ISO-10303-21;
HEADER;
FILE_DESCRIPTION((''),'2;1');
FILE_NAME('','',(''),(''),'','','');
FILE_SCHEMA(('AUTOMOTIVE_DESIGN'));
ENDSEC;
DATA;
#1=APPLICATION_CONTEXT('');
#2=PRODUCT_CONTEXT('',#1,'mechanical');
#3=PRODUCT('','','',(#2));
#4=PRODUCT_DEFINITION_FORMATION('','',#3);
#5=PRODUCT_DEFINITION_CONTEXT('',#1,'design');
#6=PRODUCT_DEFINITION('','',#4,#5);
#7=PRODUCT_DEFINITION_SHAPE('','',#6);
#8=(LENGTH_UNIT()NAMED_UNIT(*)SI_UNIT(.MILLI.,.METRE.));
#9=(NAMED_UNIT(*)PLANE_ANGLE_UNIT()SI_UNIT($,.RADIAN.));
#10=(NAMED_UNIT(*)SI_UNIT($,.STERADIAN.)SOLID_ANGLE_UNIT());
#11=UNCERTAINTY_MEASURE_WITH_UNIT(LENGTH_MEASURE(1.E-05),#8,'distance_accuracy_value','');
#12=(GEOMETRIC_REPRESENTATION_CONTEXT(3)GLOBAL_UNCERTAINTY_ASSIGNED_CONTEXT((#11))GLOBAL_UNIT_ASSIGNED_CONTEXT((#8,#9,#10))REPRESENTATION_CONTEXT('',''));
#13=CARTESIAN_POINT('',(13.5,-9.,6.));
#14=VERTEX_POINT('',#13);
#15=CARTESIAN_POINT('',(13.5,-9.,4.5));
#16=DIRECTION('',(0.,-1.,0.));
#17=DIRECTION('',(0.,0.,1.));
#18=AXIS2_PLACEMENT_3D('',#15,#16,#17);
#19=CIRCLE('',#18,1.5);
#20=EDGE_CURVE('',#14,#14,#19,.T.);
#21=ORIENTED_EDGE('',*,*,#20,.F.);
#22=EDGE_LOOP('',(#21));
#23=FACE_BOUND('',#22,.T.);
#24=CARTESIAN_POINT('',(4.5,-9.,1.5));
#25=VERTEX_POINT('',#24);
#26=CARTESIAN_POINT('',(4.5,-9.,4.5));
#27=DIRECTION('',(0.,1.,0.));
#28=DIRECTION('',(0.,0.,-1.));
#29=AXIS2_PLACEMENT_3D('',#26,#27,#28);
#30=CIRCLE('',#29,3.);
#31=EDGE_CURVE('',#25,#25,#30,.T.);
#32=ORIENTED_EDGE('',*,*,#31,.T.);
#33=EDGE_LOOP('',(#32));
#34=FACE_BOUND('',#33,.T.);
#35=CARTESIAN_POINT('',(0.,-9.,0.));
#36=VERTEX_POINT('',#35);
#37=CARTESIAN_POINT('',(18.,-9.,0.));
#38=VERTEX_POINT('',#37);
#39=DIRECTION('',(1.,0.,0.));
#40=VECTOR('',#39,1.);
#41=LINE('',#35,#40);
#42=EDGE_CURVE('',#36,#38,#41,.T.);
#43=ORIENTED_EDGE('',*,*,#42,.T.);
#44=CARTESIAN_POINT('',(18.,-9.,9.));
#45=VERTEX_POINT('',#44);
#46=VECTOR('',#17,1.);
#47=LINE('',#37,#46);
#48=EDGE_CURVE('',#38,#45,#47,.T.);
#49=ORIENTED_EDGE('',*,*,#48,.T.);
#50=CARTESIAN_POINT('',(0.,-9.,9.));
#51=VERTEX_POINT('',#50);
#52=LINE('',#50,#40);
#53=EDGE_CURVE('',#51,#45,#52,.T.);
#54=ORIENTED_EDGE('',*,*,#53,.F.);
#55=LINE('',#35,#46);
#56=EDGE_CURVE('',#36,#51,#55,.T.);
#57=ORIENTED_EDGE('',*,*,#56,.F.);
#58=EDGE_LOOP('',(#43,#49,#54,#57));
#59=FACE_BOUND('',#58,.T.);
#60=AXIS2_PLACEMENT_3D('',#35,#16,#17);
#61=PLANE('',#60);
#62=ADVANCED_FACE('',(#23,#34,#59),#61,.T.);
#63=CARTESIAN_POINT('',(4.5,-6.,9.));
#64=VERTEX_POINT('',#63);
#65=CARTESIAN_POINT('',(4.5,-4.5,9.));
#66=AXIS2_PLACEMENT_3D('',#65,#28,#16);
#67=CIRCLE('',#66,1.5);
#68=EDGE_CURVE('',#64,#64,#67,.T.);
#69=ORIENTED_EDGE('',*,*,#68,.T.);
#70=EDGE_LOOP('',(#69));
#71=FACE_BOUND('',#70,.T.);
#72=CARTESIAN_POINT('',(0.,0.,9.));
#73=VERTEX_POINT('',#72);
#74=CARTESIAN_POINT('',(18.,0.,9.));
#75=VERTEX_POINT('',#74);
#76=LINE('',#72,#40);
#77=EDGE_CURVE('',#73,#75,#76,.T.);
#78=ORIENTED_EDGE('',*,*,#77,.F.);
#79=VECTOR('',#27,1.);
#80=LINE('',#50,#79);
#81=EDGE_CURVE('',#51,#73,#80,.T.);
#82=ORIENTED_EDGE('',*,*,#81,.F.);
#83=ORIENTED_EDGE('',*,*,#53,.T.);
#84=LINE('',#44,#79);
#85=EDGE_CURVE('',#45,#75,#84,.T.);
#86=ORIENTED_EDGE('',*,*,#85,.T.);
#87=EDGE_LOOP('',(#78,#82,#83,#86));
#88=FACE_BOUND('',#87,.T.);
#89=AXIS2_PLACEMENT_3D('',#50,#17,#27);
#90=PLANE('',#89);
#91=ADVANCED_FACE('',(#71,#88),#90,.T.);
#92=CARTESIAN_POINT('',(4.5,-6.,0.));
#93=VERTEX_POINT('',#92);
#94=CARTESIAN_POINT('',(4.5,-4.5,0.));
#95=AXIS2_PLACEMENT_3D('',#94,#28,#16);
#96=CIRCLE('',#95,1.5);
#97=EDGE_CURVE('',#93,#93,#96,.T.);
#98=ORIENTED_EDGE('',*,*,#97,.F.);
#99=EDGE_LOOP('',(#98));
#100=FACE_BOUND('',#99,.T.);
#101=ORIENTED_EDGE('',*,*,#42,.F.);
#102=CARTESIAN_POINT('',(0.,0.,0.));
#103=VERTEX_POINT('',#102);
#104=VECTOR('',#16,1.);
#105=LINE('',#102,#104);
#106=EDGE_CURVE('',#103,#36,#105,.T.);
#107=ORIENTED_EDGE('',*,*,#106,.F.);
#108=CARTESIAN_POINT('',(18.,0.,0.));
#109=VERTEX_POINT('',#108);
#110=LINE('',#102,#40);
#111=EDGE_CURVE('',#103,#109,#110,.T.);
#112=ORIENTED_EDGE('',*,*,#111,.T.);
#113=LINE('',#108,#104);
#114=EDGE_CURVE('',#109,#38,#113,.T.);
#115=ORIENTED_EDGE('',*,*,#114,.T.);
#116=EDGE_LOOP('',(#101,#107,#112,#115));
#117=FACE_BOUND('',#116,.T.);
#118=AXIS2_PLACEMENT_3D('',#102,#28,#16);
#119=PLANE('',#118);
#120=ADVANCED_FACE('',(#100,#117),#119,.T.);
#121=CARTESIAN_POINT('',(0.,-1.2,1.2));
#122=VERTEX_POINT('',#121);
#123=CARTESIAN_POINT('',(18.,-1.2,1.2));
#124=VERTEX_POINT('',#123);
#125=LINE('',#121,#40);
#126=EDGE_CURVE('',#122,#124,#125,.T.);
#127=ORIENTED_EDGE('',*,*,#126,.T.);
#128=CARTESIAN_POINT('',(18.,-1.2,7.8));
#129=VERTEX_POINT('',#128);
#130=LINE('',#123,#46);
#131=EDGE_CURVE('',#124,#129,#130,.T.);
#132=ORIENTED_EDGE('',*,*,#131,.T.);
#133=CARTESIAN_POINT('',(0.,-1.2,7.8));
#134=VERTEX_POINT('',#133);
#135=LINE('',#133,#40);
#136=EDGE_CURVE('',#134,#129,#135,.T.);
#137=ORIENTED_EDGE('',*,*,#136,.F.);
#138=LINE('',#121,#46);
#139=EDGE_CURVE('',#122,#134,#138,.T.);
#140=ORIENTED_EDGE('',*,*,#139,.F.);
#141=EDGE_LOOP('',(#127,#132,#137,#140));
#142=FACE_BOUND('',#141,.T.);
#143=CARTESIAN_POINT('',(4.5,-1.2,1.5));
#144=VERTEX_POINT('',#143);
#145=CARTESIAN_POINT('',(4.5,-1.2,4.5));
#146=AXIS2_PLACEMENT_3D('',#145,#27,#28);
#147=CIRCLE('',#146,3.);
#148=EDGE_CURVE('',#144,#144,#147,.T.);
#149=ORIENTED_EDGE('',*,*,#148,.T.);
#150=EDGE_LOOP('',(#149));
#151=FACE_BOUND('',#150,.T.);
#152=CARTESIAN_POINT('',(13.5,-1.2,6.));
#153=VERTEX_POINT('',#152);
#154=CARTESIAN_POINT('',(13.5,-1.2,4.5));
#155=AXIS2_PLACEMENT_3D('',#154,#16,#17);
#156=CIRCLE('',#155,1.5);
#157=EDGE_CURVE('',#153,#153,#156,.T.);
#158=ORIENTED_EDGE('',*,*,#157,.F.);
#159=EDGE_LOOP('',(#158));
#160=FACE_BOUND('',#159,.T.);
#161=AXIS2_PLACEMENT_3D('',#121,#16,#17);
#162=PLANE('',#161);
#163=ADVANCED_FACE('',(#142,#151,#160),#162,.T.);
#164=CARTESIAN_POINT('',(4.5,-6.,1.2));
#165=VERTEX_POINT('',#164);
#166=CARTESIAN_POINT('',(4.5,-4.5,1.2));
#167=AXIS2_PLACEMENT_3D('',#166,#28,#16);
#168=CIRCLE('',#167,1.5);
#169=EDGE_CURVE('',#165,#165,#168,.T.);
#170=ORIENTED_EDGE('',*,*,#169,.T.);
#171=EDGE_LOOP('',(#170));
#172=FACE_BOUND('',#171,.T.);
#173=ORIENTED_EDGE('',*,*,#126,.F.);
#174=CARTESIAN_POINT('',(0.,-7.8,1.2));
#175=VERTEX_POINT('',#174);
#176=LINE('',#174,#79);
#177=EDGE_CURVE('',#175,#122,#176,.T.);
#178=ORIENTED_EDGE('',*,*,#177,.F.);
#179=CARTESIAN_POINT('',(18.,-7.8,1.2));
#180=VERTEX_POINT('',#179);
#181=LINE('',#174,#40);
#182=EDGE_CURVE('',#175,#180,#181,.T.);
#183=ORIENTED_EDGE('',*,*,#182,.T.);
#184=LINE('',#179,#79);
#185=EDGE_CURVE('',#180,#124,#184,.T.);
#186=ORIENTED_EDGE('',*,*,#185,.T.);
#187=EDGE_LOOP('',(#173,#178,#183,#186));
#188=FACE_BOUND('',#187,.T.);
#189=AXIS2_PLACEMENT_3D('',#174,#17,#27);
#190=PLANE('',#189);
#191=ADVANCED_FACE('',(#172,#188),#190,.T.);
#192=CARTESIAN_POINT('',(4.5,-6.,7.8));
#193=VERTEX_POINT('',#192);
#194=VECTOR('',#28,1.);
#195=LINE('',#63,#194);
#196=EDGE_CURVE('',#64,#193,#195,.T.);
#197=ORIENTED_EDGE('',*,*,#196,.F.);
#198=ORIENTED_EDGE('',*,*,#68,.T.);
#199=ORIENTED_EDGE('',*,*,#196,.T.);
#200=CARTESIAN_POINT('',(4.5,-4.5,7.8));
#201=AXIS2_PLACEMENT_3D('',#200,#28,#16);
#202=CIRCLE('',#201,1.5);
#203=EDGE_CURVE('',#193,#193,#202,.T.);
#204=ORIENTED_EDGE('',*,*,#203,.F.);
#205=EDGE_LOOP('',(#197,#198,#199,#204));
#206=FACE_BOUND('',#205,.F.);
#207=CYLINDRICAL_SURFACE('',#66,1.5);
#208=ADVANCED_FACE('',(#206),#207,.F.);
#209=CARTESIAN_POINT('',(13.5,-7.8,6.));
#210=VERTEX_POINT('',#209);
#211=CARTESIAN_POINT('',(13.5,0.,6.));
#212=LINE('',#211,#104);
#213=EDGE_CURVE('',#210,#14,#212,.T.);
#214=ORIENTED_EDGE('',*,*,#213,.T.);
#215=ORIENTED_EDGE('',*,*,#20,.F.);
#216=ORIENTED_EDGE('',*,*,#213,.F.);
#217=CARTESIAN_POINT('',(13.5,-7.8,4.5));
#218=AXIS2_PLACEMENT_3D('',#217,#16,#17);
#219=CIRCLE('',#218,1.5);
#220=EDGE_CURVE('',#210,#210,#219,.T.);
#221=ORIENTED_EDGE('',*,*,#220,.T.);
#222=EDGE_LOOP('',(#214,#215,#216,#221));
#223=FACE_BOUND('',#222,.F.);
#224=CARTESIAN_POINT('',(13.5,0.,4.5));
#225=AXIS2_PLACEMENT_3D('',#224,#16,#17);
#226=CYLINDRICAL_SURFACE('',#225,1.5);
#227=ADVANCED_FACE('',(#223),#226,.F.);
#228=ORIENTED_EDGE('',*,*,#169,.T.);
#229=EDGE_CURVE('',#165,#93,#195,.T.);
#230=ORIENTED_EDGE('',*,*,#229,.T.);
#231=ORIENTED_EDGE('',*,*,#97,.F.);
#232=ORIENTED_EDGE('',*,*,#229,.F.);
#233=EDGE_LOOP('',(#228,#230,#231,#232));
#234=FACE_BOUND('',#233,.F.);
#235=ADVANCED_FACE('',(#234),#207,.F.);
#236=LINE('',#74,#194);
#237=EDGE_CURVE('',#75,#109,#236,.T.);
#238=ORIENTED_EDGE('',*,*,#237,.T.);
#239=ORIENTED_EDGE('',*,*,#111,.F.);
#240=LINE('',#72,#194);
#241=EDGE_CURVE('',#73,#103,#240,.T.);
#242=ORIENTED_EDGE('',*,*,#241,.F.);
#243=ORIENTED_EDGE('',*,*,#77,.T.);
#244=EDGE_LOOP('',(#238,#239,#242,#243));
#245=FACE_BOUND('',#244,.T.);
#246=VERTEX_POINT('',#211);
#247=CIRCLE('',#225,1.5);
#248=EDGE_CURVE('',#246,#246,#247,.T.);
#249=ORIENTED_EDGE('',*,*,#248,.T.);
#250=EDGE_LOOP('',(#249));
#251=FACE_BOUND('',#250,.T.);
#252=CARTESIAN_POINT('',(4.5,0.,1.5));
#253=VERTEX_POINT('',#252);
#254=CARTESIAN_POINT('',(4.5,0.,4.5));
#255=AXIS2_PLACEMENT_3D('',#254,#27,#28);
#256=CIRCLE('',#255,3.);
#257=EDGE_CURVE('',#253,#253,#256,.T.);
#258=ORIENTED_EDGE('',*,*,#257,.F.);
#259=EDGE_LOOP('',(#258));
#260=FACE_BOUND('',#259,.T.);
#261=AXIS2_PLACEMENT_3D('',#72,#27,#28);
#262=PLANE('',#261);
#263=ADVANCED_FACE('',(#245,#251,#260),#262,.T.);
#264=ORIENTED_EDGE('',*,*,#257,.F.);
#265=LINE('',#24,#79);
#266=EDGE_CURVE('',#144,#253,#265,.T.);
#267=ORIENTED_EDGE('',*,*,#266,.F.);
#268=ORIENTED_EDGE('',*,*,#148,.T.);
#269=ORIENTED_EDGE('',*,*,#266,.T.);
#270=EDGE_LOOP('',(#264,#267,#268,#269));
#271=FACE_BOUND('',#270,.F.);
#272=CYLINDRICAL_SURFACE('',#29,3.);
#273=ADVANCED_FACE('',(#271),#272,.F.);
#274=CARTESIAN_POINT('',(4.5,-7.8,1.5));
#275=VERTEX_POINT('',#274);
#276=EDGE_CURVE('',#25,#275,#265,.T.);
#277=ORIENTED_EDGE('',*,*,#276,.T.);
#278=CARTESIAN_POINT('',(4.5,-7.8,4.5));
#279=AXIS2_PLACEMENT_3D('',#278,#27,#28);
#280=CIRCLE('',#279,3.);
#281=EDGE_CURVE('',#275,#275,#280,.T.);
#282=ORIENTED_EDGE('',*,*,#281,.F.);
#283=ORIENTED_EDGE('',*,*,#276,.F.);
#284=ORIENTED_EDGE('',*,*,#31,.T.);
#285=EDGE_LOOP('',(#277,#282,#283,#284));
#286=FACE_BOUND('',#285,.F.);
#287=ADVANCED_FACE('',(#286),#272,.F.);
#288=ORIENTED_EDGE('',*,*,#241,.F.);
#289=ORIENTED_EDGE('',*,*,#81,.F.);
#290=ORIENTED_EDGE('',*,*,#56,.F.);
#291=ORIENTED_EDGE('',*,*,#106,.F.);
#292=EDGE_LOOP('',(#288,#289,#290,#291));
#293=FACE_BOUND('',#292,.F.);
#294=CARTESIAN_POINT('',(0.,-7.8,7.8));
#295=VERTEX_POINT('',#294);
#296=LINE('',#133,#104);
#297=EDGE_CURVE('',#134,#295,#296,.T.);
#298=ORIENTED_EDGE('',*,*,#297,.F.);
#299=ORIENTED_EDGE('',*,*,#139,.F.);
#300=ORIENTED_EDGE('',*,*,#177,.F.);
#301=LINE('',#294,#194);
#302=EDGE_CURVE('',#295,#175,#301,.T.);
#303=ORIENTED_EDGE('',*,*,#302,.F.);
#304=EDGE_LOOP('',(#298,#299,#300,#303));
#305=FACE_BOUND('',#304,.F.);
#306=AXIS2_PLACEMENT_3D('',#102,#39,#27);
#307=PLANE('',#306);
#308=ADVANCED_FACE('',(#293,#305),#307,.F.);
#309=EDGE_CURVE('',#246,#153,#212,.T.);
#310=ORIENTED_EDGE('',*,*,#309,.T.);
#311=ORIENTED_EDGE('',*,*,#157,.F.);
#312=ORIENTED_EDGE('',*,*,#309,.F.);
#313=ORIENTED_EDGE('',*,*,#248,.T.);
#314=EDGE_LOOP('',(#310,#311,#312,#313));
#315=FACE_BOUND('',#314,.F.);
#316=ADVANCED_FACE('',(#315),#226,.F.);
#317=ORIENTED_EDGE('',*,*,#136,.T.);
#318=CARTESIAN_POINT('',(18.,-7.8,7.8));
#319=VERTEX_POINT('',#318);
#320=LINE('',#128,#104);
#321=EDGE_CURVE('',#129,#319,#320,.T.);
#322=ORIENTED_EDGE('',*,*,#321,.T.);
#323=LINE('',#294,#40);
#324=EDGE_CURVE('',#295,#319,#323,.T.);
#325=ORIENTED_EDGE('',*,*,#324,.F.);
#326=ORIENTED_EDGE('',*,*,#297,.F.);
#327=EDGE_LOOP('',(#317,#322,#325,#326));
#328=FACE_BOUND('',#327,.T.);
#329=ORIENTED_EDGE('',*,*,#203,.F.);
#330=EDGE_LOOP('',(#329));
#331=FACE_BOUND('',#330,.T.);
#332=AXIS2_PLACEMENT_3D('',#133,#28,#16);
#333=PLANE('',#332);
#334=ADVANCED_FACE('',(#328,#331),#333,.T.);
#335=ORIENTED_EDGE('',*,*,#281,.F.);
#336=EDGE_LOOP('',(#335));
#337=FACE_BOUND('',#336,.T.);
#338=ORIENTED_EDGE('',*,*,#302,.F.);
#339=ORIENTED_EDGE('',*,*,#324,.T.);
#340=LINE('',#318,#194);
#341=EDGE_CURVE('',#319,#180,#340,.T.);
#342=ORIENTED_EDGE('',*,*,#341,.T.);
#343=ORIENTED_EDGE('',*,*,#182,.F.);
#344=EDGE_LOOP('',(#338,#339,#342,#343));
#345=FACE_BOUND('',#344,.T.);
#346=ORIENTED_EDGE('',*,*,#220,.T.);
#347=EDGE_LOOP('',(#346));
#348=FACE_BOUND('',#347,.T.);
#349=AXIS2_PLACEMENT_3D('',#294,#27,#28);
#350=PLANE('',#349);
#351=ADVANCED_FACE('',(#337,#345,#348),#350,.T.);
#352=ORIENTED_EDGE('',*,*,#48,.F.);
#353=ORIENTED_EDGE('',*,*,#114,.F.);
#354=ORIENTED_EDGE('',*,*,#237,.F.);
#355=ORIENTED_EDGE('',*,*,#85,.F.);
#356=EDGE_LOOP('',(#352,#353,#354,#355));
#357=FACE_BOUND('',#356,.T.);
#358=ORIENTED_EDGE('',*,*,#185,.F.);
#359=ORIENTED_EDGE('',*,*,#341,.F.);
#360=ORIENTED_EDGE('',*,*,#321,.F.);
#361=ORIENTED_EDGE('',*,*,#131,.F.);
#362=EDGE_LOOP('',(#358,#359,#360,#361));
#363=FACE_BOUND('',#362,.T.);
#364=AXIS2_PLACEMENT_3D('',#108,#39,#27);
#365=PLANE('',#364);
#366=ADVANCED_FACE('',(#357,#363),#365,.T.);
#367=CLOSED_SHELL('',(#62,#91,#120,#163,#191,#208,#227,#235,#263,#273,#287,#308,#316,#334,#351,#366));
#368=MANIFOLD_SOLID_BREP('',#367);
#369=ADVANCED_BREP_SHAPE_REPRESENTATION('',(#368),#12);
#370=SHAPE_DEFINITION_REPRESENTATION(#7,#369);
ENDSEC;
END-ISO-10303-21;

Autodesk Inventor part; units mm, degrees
ref_plane "YZ Plane" through (0, 0, 0) normal (1, 0, 0) x (0, 1, 0)
ref_plane "XZ Plane" through (0, 0, 0) normal (0, 1, 0) x (-1, 0, 0)
ref_plane "XY Plane" through (0, 0, 0) normal (0, 0, 1) x (1, 0, 0)
sketch "スケッチ1" plane through (0, 0, 0) normal (1, 0, 0) x (0, 1, 0)
  line L0 (0, 0) -> (-9, 0)
  line L1 (-9, 0) -> (-9, 9)
  line L2 (-9, 9) -> (0, 9)
  line L3 (0, 9) -> (0, 0)
  line L4 (-1.2, 7.8) -> (-7.8, 7.8)
  line L5 (-7.8, 7.8) -> (-7.8, 1.2)
  line L6 (-7.8, 1.2) -> (-1.2, 1.2)
  line L7 (-1.2, 1.2) -> (-1.2, 7.8)
  dimension "d0" = 9
  dimension "d1" = 9
  dimension "d2" = 6.6
  dimension "d3" = 6.6
  dimension "d4" = 1.2
  dimension "d5" = 6.6
  dimension "d6" = 1.2
extrude "押し出し1" add sketch "スケッチ1" along normal blind 18
sketch "スケッチ2" plane through (0, -9, 9) normal (0, 0, 1) x (1, 0, 0)
  line L0 (0, 9) -> (0, 0) projected
  line L1 (0, 9) -> (18, 9) projected
  point P0 (4.5, 4.5)
  dimension "d9" = 4.5
  dimension "d10" = 4.5
hole "穴1" at (4.5, -4.5, 9) direction (0, 0, -1) diameter 3 end through all
sketch "スケッチ3" plane through (0, 0, 9) normal (0, 1, 0) x (1, 0, 0)
  line L0 (18, 9) -> (18, 0) projected
  line L1 (0, 9) -> (18, 9) projected
  point P0 (13.5, 4.5)
  dimension "d18" = 4.5
  dimension "d19" = 4.5
hole "穴2" at (13.5, 0, 4.5) direction (0, -1, 0) diameter 3 end through all
sketch "スケッチ4" plane through (0, -9, 0) normal (0, -1, 0) x (1, 0, 0)
  line L0 (0, 9) -> (0, 0) projected
  line L1 (0, 0) -> (18, 0) projected
  point P0 (4.5, 4.5)
  dimension "d27" = 4.5
  dimension "d28" = 4.5
hole "穴3" at (4.5, -9, 4.5) direction (0, 1, 0) diameter 6 end through all
equation "\"d28\" = d27"
properties part number "上下直動9x9x18" material "アルミニウム 6061"
